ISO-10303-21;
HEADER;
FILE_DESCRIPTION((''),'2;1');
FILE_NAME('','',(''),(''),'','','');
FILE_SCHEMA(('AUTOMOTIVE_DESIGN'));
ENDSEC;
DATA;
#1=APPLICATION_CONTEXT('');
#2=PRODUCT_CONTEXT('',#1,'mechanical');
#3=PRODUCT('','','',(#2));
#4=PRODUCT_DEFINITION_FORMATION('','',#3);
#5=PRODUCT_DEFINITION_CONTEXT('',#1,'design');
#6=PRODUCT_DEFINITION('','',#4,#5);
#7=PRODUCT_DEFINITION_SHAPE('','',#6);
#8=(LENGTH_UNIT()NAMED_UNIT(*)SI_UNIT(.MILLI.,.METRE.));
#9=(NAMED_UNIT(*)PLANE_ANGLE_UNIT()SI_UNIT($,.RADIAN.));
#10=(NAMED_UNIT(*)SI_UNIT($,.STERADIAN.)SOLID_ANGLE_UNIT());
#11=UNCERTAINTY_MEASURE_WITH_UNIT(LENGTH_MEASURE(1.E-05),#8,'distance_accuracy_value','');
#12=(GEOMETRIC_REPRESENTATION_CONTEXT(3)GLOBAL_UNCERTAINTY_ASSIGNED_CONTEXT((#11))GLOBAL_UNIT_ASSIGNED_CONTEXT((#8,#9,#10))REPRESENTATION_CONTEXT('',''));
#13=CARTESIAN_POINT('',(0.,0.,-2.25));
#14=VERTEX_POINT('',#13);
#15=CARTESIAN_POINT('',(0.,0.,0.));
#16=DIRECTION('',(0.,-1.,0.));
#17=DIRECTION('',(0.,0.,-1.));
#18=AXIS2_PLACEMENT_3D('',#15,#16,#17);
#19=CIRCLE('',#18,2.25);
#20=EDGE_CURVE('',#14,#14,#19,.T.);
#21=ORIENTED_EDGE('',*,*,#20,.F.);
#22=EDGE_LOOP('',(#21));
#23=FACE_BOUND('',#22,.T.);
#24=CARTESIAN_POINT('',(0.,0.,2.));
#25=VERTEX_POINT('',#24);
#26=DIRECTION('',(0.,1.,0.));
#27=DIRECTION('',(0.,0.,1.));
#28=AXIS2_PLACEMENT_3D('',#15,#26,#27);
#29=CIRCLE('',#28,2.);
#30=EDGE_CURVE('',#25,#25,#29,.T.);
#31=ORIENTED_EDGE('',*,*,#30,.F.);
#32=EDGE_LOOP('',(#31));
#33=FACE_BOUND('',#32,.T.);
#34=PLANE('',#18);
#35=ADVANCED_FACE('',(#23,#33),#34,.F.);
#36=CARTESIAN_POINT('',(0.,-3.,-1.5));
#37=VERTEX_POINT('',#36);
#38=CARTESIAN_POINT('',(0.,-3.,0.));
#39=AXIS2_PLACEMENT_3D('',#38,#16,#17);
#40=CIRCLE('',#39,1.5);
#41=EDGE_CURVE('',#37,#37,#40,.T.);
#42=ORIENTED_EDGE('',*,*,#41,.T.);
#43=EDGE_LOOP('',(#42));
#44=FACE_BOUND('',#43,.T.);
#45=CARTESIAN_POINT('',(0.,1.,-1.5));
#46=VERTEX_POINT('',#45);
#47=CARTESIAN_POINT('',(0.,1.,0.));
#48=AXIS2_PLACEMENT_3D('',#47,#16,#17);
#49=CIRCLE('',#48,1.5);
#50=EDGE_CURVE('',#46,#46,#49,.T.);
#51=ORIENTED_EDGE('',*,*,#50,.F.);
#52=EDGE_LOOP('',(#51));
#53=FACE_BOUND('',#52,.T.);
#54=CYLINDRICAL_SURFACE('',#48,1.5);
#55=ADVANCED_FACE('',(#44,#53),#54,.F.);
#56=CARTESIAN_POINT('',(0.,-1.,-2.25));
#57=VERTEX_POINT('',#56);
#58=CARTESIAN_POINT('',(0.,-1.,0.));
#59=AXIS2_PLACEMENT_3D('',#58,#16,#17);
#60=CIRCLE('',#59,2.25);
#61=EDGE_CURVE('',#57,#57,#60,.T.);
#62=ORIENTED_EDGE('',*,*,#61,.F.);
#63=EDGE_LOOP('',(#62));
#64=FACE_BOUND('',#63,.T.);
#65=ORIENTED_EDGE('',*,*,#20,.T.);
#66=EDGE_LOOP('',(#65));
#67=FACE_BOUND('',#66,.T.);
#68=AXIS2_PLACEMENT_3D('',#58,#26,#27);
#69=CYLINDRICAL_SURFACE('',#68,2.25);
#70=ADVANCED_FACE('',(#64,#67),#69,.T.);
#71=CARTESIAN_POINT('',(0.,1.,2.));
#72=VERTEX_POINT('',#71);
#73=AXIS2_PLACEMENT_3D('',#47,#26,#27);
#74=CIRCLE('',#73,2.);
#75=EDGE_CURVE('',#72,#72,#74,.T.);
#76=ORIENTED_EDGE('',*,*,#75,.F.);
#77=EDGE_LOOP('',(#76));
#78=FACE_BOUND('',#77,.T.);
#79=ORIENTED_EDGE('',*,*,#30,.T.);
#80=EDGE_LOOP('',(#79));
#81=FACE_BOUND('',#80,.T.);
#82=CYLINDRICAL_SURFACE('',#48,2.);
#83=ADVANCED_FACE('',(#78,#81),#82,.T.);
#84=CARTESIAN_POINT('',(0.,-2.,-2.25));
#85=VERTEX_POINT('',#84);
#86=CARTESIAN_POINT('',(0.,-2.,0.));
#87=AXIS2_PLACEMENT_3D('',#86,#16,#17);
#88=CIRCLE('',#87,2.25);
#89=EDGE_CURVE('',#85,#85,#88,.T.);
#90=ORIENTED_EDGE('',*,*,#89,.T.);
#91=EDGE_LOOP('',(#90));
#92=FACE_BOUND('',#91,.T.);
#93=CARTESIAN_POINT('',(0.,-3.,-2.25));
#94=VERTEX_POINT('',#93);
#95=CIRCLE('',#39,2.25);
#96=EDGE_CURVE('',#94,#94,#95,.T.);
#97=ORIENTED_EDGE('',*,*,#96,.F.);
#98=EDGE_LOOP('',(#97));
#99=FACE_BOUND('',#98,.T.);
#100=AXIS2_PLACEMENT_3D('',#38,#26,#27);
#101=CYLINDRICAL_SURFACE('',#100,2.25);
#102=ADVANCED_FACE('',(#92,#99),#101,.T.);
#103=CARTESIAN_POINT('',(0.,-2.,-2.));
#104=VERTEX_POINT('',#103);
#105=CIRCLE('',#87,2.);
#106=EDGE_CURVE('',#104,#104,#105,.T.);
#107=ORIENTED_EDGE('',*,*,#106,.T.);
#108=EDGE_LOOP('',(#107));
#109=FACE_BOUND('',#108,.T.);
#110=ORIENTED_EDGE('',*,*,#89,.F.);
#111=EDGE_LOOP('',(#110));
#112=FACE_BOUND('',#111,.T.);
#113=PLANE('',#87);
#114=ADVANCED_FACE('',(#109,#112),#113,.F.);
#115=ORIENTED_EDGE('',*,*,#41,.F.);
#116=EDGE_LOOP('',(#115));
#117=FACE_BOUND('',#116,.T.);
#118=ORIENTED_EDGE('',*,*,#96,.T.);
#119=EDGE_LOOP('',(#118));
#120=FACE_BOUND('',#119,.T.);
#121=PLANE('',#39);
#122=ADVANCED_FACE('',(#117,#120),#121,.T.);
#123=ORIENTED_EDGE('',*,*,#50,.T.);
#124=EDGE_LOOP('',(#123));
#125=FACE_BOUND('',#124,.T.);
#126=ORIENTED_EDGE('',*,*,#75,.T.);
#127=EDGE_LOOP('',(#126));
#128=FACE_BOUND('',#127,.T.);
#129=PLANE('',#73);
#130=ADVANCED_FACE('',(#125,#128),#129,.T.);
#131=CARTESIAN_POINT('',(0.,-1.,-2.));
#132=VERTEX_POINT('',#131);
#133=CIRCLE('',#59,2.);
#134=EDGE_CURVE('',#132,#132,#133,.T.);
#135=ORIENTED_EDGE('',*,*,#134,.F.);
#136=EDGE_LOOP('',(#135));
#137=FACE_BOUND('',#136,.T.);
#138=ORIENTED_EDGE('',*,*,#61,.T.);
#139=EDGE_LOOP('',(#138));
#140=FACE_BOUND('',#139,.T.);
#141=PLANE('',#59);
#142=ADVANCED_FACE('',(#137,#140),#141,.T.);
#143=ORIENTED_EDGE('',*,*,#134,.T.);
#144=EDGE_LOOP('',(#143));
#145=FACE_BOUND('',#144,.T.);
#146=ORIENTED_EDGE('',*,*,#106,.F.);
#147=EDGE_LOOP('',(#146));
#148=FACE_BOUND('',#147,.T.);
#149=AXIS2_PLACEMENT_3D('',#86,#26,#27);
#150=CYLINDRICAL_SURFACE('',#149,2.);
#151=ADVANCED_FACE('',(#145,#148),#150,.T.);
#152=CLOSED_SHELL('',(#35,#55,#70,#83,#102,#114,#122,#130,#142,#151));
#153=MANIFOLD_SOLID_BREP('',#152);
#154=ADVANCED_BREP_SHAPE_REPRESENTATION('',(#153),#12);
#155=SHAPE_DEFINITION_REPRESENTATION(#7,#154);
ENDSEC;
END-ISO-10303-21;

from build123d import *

# Parameters (mm, degrees)
SKETCH1_R           = 2
BOSS_EXTRUDE1_DEPTH = 1
SKETCH2_R           = 2.25
BOSS_EXTRUDE2_DEPTH = 1
BOSS_EXTRUDE3_START = 1
SKETCH3_R           = 2
BOSS_EXTRUDE3_DEPTH = 1
SKETCH4_R           = 2.25
BOSS_EXTRUDE4_DEPTH = 1
SKETCH5_R           = 1.5
CUT_EXTRUDE1_DEPTH  = 6.111262075


with BuildPart() as part:
    # Sketch1 → Boss-Extrude1 (new body)
    with BuildSketch(Plane(origin=(0, 0, 0), x_dir=(1, 0, 0), z_dir=(0, 1, 0))):
        with Locations(Location((0, 0, 0), (0, 0, 270))):
            Circle(SKETCH1_R)
    extrude(amount=BOSS_EXTRUDE1_DEPTH)

    # Sketch2 → Boss-Extrude2 (add)
    with BuildSketch(Plane.XZ):
        with Locations(Location((0, 0, 0), (0, 0, 270))):
            Circle(SKETCH2_R)
    extrude(amount=BOSS_EXTRUDE2_DEPTH)

    # Sketch3 → Boss-Extrude3 (add)
    with BuildSketch(Plane.XZ.offset(1).offset(BOSS_EXTRUDE3_START)):
        with Locations(Location((0, 0, 0), (0, 0, 90))):
            Circle(SKETCH3_R)
    extrude(amount=-BOSS_EXTRUDE3_DEPTH)

    # Sketch4 → Boss-Extrude4 (add)
    with BuildSketch(Plane.XZ.offset(2)):
        with Locations(Location((0, 0, 0), (0, 0, 270))):
            Circle(SKETCH4_R)
    extrude(amount=BOSS_EXTRUDE4_DEPTH)

    # Sketch5 → Cut-Extrude1 (cut, through all)
    with BuildSketch(Plane.XZ.offset(3)):
        with Locations(Location((0, 0, 0), (0, 0, 270))):
            Circle(SKETCH5_R)
    extrude(amount=-CUT_EXTRUDE1_DEPTH, mode=Mode.SUBTRACT)


solid = part.part
